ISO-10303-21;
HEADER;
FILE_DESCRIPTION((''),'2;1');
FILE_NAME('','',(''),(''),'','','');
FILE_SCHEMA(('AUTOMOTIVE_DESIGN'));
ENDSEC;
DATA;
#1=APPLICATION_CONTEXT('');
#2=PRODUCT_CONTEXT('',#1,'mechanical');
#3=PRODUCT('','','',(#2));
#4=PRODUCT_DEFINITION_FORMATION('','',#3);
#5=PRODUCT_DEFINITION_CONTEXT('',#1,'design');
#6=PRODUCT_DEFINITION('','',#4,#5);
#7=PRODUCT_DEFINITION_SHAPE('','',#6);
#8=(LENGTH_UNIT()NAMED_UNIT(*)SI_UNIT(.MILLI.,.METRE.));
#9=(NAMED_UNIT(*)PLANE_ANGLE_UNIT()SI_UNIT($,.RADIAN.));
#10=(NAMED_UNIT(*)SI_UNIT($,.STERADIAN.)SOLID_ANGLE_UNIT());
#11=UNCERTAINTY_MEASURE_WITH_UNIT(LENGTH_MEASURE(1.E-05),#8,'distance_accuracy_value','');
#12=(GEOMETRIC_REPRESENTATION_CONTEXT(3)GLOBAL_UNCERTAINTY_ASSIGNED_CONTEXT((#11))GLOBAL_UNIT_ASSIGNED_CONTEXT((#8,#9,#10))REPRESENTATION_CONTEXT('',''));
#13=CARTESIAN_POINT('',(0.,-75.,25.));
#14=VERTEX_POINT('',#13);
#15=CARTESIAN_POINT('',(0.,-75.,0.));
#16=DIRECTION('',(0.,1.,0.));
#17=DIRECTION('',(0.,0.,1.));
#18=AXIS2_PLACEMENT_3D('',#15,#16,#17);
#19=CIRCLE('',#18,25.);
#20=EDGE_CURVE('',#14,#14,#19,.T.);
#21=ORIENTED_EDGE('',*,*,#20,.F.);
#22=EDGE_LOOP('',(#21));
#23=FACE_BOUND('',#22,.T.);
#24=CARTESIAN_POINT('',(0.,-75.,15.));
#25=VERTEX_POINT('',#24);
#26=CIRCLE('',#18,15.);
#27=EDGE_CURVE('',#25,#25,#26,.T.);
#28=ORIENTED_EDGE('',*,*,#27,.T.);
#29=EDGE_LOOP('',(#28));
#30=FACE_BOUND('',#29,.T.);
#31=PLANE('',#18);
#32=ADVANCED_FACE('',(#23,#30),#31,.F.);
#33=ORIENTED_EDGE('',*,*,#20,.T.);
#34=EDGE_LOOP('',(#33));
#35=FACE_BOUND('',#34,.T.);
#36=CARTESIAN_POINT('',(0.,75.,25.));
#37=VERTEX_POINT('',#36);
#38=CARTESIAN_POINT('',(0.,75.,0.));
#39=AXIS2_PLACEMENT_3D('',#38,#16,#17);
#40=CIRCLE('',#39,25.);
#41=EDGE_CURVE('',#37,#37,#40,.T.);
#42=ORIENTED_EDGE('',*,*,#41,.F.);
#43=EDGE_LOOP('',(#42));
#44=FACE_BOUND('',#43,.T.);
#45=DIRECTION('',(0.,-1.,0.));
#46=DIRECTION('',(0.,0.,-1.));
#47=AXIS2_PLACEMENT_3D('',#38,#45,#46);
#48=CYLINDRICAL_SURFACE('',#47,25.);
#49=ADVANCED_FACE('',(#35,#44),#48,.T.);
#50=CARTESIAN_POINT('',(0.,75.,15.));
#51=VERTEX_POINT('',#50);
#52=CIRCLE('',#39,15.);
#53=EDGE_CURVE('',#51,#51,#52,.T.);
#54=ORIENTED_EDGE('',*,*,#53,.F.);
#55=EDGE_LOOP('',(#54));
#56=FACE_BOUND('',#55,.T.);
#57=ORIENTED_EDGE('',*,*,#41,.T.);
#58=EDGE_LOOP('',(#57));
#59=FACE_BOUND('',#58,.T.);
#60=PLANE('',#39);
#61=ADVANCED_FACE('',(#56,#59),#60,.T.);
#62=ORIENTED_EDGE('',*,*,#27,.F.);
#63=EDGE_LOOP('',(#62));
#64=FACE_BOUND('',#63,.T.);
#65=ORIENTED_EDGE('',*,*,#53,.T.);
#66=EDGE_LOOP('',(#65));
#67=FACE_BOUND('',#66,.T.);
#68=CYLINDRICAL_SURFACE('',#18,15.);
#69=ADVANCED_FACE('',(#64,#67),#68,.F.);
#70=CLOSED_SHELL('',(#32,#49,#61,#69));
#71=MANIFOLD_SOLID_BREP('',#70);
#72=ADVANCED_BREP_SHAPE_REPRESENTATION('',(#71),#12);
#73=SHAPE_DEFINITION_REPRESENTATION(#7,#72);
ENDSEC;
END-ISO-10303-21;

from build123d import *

# Parameters (mm, degrees)
SKETCH_1_R          = 25
EXTRUDE_1_DEPTH     = 75
SKETCH_2_R          = 15
CUT_EXTRUDE_1_DEPTH = 155.110350074


with BuildPart() as part:
    # 스케치1 → 보스-돌출1 (new, symmetric)
    with BuildSketch(Plane(origin=(0, 0, 0), x_dir=(1, 0, 0), z_dir=(0, 1, 0))):
        with Locations(Location((0, 0, 0), (0, 0, 270))):
            Circle(SKETCH_1_R)
    extrude(amount=EXTRUDE_1_DEPTH, both=True)

    # 스케치2 → 컷-돌출1 (cut, through all)
    with BuildSketch(Plane(origin=(0, 75, 0), x_dir=(1, 0, 0), z_dir=(0, 1, 0))):
        with Locations(Location((0, 0, 0), (0, 0, 270))):
            Circle(SKETCH_2_R)
    extrude(amount=-CUT_EXTRUDE_1_DEPTH, mode=Mode.SUBTRACT)


solid = part.part
